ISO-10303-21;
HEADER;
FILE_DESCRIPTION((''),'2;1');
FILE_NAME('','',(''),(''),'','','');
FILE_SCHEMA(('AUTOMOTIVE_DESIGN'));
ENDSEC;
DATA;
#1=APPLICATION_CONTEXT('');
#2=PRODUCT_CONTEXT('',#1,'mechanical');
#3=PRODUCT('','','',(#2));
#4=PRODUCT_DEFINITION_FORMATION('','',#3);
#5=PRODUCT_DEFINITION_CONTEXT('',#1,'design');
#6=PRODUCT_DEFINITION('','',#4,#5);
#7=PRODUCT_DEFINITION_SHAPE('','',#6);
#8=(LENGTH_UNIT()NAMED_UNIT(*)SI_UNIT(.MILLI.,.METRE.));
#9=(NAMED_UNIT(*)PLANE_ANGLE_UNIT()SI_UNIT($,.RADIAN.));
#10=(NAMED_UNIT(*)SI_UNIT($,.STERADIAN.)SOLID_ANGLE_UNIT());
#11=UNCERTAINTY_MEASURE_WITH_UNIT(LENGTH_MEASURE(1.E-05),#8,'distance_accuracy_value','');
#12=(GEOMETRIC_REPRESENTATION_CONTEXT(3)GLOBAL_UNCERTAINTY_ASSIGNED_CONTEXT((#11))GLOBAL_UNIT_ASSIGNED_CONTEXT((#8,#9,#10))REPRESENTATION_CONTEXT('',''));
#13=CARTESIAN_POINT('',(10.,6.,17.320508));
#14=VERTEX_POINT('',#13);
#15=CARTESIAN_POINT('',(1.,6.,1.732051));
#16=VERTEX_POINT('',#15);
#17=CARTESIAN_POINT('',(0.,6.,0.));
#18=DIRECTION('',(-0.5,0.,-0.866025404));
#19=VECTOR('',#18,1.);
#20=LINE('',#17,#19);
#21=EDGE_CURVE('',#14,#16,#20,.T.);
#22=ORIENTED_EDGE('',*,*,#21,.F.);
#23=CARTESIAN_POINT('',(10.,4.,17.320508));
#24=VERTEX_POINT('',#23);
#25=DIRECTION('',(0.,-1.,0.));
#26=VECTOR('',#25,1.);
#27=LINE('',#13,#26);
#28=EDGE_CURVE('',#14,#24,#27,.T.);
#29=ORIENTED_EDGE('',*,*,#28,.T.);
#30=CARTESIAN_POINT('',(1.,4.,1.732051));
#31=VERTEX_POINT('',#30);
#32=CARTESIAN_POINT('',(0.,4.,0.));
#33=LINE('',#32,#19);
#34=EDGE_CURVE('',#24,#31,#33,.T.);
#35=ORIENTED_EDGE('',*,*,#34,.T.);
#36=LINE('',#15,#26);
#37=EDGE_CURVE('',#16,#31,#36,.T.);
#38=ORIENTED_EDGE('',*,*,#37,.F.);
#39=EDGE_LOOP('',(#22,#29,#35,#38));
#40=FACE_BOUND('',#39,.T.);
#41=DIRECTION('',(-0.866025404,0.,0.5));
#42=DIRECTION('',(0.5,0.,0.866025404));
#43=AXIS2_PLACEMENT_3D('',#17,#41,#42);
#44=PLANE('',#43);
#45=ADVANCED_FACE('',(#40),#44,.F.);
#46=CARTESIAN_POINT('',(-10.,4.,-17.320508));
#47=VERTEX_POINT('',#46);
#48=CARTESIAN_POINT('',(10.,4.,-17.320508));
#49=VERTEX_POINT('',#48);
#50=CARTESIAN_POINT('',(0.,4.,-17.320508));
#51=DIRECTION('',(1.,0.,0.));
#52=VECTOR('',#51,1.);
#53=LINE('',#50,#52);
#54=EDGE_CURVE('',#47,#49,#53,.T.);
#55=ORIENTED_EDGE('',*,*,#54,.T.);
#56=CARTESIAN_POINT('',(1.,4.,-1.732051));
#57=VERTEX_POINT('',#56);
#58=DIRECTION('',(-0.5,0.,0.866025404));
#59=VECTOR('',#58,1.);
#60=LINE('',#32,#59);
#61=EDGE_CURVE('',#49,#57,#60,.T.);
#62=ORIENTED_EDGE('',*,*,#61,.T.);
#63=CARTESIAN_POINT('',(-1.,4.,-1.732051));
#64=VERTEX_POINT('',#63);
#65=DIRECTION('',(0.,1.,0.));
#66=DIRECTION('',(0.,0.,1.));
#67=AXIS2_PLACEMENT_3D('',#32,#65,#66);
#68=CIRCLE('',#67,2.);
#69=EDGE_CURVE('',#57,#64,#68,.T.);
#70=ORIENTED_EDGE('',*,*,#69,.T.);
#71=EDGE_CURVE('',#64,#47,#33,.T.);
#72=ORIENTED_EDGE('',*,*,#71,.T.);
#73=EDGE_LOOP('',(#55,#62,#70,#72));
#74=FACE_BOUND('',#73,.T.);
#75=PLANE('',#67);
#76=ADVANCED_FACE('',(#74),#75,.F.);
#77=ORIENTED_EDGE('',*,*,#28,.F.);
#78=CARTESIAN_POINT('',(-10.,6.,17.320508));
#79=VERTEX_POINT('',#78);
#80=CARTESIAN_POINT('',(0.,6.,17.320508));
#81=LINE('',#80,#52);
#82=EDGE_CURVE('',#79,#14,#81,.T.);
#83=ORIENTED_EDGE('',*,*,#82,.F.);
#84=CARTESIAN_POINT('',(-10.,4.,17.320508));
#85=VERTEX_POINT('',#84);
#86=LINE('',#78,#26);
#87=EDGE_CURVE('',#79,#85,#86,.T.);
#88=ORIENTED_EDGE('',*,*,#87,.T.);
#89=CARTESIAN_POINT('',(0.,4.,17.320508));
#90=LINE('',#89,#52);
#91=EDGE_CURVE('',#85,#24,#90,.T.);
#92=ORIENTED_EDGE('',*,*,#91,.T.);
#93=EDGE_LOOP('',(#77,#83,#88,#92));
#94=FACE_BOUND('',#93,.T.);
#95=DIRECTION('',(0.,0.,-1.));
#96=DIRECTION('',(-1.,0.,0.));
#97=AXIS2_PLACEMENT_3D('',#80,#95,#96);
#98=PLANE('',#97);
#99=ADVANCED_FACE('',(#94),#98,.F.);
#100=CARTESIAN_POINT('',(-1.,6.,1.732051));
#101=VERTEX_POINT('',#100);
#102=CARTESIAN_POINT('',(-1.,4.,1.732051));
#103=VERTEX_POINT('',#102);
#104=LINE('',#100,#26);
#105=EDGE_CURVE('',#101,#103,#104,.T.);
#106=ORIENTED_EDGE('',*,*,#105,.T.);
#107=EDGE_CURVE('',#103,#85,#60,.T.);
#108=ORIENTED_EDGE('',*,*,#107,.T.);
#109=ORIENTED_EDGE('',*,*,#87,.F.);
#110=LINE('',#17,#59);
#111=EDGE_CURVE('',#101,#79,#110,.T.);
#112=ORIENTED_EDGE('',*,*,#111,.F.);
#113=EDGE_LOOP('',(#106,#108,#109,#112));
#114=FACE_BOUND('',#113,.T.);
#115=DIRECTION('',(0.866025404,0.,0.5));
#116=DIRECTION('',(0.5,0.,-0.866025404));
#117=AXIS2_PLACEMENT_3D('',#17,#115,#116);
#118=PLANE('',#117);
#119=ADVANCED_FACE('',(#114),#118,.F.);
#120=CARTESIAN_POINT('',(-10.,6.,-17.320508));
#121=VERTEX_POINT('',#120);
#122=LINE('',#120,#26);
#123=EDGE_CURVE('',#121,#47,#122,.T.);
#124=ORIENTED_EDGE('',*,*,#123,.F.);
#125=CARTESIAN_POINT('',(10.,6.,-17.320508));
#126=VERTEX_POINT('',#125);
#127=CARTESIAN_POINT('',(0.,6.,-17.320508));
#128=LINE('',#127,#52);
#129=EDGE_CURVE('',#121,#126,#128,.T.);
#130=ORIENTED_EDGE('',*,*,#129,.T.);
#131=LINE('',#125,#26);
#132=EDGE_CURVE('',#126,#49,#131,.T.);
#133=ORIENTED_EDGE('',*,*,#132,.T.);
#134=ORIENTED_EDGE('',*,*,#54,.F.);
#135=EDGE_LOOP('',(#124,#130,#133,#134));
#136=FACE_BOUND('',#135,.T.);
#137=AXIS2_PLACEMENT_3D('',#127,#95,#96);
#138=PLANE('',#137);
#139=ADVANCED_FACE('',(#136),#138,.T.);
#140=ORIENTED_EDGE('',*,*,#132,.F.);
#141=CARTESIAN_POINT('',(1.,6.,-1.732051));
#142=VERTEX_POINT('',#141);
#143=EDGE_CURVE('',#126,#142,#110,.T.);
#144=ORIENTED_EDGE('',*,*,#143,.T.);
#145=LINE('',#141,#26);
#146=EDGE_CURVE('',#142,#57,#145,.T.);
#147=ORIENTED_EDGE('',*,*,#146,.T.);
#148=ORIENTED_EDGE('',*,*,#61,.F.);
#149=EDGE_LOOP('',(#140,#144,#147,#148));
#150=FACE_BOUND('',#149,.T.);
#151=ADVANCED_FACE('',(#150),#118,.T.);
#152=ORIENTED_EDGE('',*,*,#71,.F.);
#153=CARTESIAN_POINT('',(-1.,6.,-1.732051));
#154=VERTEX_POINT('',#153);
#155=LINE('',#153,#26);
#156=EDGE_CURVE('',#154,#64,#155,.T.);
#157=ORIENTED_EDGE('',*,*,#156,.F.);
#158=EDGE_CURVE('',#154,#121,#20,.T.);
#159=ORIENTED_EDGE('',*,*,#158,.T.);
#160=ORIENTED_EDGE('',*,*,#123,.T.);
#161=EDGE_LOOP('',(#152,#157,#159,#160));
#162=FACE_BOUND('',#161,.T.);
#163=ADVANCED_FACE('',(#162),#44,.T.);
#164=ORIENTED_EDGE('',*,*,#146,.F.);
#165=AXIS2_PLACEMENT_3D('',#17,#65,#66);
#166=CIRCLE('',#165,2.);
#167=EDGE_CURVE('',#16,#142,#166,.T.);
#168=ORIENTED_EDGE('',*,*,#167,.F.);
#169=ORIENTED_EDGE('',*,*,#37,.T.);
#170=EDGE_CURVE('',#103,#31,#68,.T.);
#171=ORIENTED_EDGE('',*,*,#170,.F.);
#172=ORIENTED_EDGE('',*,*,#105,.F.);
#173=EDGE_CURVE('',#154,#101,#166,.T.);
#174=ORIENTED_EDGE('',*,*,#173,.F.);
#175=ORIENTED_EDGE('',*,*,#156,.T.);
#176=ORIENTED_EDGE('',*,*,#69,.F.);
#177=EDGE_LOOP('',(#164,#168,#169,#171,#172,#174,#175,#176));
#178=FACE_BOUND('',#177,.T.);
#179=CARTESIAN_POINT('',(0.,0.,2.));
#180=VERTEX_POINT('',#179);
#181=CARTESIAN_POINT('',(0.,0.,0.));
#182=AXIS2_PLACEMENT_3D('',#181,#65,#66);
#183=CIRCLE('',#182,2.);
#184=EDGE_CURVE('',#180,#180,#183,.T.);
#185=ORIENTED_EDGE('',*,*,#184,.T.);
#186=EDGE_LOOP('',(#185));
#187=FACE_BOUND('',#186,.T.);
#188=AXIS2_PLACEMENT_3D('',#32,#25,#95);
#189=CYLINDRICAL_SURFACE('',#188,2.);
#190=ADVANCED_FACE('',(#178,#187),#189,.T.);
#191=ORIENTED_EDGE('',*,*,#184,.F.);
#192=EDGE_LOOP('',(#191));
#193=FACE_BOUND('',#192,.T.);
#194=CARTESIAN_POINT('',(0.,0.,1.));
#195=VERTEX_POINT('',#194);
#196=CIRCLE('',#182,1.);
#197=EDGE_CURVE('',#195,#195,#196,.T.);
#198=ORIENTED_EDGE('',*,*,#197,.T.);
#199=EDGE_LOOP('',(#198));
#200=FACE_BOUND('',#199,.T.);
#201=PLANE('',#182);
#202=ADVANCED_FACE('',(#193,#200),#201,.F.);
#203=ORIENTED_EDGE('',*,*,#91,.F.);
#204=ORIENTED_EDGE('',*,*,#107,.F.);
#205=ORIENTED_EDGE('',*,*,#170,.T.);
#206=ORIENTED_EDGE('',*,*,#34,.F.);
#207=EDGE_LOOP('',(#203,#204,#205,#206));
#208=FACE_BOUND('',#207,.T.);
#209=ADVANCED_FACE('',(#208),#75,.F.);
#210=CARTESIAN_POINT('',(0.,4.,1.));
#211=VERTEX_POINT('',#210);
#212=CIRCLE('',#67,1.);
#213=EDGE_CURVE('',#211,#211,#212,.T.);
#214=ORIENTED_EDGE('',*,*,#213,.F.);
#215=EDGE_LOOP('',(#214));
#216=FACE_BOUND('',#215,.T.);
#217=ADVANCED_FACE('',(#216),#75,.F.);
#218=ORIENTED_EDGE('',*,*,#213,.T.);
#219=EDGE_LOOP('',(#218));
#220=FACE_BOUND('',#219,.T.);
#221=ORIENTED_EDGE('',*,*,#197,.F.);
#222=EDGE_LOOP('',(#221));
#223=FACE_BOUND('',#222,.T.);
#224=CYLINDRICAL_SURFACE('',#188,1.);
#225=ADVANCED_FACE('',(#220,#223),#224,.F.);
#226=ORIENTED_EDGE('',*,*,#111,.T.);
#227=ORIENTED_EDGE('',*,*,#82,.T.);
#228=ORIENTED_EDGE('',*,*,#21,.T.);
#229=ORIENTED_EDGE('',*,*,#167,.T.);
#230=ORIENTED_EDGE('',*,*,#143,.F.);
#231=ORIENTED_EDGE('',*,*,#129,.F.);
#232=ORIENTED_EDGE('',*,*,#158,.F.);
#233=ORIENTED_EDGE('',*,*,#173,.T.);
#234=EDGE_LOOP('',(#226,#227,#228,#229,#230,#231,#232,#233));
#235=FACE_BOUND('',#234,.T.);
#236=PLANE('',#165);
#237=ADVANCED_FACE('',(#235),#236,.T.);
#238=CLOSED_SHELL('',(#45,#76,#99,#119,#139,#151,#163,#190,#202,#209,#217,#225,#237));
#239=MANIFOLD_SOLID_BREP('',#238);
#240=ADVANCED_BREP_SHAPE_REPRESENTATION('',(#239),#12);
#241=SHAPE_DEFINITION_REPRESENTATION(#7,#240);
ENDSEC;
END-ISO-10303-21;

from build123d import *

# Parameters (mm, degrees)
ESBO_O1_R                = 2
ESBO_O1_R_2              = 1
RESSALTO_EXTRUS_O1_DEPTH = 4
ESBO_O2_R                = 2
RESSALTO_EXTRUS_O2_DEPTH = 2


with BuildPart() as part:
    # Esboço1 → Ressalto-extrusão1 (new body)
    with BuildSketch(Plane(origin=(0, 0, 0), x_dir=(1, 0, 0), z_dir=(0, 1, 0))):
        with Locations(Location((0, 0, 0), (0, 0, 270))):
            Circle(ESBO_O1_R)
        with Locations(Location((0, 0, 0), (0, 0, 270))):
            Circle(ESBO_O1_R_2, mode=Mode.SUBTRACT)
    extrude(amount=RESSALTO_EXTRUS_O1_DEPTH)

    # Esboço2 → Ressalto-extrusão2 (add)
    with BuildSketch(Plane(origin=(0, 4, 0), x_dir=(1, 0, 0), z_dir=(0, 1, 0))):
        with Locations(Location((0, 0, 0), (0, 0, 60))):
            Circle(ESBO_O2_R)
        Polygon((10, 17.320508076), (0, 0), (-10, 17.320508076), align=None)
        Polygon((-10, -17.320508076), (10, -17.320508076), (0, 0), align=None)
    extrude(amount=RESSALTO_EXTRUS_O2_DEPTH)


solid = part.part
